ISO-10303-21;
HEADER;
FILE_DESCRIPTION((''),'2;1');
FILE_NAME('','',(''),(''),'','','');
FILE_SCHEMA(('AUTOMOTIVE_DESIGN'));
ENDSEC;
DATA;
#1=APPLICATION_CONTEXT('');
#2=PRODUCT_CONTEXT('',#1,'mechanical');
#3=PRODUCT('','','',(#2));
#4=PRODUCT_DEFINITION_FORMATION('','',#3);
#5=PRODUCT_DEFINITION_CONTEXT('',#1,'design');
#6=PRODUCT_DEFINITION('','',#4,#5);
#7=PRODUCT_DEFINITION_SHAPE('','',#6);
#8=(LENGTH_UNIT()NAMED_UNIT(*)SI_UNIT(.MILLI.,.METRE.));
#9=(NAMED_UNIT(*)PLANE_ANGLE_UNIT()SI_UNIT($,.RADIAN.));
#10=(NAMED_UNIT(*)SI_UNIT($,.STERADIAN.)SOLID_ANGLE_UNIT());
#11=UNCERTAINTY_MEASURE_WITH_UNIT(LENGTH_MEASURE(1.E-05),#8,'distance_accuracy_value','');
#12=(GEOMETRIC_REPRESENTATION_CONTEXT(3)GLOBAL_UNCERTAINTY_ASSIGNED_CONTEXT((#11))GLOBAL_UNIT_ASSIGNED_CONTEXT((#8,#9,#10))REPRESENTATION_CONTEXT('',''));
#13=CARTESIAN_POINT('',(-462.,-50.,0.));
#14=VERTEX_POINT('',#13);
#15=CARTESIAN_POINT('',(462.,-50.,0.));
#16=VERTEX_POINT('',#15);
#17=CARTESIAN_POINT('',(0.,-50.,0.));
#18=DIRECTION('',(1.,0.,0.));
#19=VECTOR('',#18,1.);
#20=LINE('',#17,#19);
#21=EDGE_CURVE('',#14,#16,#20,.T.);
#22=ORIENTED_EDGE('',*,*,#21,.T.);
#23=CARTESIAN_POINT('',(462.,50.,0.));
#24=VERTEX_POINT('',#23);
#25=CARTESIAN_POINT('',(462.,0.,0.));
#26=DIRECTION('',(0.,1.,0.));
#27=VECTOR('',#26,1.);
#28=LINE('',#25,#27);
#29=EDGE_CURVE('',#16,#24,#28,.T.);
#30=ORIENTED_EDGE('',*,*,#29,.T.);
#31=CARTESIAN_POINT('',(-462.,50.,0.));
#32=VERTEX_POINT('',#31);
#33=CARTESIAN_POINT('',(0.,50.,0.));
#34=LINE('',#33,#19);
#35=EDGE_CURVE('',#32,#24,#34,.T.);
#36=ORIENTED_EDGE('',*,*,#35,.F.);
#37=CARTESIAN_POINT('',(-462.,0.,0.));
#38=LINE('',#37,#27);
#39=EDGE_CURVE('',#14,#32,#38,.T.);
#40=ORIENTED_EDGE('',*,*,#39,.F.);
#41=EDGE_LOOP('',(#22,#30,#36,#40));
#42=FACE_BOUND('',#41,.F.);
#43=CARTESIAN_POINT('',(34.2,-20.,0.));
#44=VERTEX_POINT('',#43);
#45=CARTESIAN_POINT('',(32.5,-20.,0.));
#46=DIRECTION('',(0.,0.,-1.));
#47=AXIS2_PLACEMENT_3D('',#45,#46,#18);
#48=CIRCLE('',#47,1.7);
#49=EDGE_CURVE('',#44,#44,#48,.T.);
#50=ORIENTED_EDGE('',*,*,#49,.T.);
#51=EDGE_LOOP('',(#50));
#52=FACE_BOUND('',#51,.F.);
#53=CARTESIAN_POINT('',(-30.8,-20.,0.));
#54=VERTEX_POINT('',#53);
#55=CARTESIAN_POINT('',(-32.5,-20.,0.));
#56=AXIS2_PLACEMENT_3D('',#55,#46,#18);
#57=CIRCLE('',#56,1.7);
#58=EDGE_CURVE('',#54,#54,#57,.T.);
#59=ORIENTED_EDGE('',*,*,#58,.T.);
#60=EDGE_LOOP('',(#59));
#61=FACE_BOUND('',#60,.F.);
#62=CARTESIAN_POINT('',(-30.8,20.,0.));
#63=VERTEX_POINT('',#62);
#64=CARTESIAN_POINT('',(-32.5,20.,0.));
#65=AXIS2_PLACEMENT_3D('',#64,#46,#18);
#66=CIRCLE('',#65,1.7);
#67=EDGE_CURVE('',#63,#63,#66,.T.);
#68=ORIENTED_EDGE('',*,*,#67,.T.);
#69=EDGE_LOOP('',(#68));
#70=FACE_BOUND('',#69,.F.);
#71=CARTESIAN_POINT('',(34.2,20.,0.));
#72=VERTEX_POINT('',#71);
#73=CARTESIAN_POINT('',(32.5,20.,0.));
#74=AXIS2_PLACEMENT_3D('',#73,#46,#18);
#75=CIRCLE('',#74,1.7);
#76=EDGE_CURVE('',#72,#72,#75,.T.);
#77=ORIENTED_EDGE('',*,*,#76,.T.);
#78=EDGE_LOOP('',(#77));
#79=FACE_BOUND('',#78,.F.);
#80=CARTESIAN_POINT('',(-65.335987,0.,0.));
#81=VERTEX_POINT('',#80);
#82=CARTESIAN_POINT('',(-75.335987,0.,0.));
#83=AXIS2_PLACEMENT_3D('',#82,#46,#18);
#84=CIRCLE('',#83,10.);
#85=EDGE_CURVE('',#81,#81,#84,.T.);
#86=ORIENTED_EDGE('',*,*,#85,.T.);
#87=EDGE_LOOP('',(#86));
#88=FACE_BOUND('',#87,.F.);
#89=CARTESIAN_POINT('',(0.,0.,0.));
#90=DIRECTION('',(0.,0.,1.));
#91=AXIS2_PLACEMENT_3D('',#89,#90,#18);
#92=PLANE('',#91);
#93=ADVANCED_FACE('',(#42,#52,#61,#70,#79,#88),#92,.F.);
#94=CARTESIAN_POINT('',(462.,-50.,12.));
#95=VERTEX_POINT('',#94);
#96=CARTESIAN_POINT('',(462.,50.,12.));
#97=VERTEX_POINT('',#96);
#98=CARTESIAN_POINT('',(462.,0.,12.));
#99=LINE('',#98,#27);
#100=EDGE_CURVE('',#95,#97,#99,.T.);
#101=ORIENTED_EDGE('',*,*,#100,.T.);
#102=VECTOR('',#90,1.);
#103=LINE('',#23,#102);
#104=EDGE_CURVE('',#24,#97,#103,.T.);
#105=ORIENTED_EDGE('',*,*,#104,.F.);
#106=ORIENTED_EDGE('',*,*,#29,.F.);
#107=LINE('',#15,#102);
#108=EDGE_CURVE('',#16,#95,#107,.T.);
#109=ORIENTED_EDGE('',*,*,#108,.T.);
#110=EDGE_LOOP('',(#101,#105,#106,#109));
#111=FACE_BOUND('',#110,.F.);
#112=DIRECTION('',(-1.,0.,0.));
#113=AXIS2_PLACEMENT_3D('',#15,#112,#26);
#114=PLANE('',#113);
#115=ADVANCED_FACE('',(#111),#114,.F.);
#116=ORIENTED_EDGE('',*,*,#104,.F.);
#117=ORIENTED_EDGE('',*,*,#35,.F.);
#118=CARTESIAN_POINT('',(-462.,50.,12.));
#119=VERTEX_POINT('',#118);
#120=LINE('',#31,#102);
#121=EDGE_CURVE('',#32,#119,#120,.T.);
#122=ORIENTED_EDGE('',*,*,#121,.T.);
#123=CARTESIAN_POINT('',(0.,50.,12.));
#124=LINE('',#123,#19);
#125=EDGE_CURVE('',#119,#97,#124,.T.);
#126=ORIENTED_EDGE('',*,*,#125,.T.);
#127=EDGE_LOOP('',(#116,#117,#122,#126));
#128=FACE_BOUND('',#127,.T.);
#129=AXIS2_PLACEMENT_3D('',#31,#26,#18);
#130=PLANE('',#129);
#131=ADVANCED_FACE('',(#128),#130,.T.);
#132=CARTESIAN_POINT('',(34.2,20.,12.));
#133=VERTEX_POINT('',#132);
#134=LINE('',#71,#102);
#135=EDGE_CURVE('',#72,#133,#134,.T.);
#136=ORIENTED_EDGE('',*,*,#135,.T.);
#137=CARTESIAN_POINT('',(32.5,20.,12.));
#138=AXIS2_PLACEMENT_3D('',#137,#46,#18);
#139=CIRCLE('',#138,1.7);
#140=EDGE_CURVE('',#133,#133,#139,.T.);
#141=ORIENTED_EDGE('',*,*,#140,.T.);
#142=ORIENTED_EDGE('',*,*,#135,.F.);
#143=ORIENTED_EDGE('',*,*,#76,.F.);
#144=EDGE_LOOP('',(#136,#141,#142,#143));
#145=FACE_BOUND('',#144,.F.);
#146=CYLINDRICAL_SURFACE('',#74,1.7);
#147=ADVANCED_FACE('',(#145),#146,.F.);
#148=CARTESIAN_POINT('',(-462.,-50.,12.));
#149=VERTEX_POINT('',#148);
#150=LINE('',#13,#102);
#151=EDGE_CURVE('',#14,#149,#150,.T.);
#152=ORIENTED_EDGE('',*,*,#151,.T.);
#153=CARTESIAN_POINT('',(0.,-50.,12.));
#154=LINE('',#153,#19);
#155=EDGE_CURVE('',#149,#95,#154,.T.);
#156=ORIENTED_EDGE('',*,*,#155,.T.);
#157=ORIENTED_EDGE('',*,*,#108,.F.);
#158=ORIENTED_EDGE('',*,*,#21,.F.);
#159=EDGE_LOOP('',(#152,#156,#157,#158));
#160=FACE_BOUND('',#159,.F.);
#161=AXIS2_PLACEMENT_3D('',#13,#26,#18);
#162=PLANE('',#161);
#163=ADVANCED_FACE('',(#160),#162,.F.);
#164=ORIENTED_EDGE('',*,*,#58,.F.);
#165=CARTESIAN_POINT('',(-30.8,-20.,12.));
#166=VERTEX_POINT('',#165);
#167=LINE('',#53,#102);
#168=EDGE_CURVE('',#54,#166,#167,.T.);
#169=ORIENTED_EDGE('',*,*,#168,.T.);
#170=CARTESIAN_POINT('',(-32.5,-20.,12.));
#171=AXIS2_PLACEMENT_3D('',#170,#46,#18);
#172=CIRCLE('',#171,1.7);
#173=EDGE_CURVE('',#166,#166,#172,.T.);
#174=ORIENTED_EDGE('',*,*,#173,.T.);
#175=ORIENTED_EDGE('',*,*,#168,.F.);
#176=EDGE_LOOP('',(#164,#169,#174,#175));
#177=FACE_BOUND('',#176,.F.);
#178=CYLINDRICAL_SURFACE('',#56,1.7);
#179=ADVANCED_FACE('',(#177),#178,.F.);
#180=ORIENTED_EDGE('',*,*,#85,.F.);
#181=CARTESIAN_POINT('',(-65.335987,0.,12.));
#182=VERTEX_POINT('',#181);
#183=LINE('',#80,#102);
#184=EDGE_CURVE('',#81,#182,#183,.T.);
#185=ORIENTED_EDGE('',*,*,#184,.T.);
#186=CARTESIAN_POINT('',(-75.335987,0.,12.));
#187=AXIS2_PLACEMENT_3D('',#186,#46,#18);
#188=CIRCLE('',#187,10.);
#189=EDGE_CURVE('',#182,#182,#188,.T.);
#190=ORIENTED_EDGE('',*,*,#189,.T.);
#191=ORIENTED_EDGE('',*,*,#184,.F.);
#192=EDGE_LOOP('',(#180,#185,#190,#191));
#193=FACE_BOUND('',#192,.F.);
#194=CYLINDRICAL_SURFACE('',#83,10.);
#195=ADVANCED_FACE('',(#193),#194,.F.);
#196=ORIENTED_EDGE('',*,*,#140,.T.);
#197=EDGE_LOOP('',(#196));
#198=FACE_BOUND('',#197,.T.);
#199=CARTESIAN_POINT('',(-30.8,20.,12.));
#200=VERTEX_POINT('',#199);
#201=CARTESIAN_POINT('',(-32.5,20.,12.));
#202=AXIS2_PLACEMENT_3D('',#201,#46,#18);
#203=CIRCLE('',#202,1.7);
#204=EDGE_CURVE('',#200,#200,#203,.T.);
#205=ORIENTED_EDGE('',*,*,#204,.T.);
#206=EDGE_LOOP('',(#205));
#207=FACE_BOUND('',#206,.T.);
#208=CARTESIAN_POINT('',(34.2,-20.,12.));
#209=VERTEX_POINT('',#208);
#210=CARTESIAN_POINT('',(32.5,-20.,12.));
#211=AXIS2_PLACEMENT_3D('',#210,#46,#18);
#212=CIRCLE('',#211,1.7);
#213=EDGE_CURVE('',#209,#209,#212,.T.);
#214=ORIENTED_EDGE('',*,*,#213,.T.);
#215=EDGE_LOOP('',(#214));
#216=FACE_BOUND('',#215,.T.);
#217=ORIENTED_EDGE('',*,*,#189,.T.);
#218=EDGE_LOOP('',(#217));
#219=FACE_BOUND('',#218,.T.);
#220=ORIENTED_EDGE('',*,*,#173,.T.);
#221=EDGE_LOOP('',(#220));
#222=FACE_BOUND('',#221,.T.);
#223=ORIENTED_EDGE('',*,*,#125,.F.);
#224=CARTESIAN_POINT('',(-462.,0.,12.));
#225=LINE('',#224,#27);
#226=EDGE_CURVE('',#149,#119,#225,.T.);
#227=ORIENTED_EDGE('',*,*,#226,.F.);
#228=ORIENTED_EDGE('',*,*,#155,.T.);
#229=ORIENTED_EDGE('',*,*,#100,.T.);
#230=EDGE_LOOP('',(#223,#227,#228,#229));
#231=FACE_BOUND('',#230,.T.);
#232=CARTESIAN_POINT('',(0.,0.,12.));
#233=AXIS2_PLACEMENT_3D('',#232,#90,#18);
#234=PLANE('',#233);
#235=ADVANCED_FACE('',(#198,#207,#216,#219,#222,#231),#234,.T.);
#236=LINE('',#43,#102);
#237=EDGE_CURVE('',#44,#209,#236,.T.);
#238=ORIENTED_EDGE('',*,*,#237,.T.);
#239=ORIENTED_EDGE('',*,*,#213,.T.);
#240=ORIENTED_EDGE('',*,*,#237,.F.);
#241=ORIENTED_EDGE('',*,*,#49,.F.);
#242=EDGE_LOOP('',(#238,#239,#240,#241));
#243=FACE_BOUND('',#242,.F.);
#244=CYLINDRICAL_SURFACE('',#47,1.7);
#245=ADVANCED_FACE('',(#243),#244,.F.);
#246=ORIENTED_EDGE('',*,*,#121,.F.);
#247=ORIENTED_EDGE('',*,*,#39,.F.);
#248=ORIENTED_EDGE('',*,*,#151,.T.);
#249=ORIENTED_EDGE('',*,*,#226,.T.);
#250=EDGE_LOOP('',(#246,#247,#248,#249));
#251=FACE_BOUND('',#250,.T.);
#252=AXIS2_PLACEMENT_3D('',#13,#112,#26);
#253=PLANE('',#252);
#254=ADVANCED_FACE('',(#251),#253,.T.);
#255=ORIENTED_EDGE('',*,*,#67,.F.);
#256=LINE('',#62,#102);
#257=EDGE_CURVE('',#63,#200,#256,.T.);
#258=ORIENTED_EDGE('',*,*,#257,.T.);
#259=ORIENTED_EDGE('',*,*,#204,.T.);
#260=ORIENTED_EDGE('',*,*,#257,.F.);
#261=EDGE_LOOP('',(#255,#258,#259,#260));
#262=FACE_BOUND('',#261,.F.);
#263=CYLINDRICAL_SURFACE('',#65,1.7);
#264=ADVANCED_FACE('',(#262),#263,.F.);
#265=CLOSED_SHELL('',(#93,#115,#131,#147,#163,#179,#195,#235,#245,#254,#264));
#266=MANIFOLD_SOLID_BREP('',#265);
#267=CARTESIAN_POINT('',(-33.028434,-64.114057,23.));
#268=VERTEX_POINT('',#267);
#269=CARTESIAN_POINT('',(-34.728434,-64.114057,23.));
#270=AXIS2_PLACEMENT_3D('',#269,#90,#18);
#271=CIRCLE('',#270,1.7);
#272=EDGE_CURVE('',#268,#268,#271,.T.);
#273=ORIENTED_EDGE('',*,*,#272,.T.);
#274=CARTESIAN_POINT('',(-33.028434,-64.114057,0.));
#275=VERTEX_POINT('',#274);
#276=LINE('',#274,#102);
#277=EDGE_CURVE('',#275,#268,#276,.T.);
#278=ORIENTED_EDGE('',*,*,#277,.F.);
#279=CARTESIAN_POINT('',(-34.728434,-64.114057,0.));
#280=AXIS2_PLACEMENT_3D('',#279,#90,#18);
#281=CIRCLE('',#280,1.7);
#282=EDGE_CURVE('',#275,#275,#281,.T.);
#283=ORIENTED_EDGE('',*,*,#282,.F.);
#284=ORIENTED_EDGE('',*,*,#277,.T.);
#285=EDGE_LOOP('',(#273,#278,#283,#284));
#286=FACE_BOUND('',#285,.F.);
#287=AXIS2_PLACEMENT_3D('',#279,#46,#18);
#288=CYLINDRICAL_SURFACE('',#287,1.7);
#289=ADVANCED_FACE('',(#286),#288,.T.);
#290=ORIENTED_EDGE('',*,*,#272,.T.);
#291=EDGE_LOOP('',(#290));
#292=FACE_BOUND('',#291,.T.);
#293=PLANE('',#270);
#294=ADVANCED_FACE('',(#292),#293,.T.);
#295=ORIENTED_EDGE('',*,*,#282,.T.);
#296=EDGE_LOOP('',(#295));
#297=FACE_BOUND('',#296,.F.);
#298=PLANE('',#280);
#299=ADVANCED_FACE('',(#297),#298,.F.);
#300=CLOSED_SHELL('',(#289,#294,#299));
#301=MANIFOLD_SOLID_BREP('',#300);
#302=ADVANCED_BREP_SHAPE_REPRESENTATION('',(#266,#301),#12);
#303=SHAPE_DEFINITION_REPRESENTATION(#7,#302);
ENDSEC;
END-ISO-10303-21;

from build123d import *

# Parameters (mm, degrees)
F0_W     = 924
F0_H     = 100
F1_DEPTH = 12
F2_R     = 10
F3_DEPTH = 25
F2_R_2   = 1.7
F4_DEPTH = 25
F5_R     = 1.7
F6_DEPTH = 23


with BuildPart() as f1:
    # F0 (on Top) → F1 (new body)
    with BuildSketch(Plane.XY):
        Rectangle(F0_W, F0_H)
    extrude(amount=F1_DEPTH)

    # F2 (on face) → F3 (cut)
    with BuildSketch(Plane(origin=(0, 0, 0), x_dir=(1, 0, 0), z_dir=(0, 0, -1))):
        with Locations((-75.335987, 0)):
            Circle(F2_R)
    extrude(amount=-F3_DEPTH, mode=Mode.SUBTRACT)

    # F2 (on face) → F4 (cut)
    with BuildSketch(Plane(origin=(0, 0, 0), x_dir=(1, 0, 0), z_dir=(0, 0, -1))):
        with Locations((32.5, -20)):
            Circle(F2_R_2)
        with Locations((-32.5, -20)):
            Circle(F2_R_2)
        with Locations((32.5, 20)):
            Circle(F2_R_2)
        with Locations((-32.5, 20)):
            Circle(F2_R_2)
    extrude(amount=-F4_DEPTH, mode=Mode.SUBTRACT)


with BuildPart() as f6:
    # F5 (on Top) → F6 (new body)
    with BuildSketch(Plane.XY):
        with Locations((-34.728434, -64.114057)):
            Circle(F5_R)
    extrude(amount=F6_DEPTH)


solid = Compound([f1.part, f6.part])
